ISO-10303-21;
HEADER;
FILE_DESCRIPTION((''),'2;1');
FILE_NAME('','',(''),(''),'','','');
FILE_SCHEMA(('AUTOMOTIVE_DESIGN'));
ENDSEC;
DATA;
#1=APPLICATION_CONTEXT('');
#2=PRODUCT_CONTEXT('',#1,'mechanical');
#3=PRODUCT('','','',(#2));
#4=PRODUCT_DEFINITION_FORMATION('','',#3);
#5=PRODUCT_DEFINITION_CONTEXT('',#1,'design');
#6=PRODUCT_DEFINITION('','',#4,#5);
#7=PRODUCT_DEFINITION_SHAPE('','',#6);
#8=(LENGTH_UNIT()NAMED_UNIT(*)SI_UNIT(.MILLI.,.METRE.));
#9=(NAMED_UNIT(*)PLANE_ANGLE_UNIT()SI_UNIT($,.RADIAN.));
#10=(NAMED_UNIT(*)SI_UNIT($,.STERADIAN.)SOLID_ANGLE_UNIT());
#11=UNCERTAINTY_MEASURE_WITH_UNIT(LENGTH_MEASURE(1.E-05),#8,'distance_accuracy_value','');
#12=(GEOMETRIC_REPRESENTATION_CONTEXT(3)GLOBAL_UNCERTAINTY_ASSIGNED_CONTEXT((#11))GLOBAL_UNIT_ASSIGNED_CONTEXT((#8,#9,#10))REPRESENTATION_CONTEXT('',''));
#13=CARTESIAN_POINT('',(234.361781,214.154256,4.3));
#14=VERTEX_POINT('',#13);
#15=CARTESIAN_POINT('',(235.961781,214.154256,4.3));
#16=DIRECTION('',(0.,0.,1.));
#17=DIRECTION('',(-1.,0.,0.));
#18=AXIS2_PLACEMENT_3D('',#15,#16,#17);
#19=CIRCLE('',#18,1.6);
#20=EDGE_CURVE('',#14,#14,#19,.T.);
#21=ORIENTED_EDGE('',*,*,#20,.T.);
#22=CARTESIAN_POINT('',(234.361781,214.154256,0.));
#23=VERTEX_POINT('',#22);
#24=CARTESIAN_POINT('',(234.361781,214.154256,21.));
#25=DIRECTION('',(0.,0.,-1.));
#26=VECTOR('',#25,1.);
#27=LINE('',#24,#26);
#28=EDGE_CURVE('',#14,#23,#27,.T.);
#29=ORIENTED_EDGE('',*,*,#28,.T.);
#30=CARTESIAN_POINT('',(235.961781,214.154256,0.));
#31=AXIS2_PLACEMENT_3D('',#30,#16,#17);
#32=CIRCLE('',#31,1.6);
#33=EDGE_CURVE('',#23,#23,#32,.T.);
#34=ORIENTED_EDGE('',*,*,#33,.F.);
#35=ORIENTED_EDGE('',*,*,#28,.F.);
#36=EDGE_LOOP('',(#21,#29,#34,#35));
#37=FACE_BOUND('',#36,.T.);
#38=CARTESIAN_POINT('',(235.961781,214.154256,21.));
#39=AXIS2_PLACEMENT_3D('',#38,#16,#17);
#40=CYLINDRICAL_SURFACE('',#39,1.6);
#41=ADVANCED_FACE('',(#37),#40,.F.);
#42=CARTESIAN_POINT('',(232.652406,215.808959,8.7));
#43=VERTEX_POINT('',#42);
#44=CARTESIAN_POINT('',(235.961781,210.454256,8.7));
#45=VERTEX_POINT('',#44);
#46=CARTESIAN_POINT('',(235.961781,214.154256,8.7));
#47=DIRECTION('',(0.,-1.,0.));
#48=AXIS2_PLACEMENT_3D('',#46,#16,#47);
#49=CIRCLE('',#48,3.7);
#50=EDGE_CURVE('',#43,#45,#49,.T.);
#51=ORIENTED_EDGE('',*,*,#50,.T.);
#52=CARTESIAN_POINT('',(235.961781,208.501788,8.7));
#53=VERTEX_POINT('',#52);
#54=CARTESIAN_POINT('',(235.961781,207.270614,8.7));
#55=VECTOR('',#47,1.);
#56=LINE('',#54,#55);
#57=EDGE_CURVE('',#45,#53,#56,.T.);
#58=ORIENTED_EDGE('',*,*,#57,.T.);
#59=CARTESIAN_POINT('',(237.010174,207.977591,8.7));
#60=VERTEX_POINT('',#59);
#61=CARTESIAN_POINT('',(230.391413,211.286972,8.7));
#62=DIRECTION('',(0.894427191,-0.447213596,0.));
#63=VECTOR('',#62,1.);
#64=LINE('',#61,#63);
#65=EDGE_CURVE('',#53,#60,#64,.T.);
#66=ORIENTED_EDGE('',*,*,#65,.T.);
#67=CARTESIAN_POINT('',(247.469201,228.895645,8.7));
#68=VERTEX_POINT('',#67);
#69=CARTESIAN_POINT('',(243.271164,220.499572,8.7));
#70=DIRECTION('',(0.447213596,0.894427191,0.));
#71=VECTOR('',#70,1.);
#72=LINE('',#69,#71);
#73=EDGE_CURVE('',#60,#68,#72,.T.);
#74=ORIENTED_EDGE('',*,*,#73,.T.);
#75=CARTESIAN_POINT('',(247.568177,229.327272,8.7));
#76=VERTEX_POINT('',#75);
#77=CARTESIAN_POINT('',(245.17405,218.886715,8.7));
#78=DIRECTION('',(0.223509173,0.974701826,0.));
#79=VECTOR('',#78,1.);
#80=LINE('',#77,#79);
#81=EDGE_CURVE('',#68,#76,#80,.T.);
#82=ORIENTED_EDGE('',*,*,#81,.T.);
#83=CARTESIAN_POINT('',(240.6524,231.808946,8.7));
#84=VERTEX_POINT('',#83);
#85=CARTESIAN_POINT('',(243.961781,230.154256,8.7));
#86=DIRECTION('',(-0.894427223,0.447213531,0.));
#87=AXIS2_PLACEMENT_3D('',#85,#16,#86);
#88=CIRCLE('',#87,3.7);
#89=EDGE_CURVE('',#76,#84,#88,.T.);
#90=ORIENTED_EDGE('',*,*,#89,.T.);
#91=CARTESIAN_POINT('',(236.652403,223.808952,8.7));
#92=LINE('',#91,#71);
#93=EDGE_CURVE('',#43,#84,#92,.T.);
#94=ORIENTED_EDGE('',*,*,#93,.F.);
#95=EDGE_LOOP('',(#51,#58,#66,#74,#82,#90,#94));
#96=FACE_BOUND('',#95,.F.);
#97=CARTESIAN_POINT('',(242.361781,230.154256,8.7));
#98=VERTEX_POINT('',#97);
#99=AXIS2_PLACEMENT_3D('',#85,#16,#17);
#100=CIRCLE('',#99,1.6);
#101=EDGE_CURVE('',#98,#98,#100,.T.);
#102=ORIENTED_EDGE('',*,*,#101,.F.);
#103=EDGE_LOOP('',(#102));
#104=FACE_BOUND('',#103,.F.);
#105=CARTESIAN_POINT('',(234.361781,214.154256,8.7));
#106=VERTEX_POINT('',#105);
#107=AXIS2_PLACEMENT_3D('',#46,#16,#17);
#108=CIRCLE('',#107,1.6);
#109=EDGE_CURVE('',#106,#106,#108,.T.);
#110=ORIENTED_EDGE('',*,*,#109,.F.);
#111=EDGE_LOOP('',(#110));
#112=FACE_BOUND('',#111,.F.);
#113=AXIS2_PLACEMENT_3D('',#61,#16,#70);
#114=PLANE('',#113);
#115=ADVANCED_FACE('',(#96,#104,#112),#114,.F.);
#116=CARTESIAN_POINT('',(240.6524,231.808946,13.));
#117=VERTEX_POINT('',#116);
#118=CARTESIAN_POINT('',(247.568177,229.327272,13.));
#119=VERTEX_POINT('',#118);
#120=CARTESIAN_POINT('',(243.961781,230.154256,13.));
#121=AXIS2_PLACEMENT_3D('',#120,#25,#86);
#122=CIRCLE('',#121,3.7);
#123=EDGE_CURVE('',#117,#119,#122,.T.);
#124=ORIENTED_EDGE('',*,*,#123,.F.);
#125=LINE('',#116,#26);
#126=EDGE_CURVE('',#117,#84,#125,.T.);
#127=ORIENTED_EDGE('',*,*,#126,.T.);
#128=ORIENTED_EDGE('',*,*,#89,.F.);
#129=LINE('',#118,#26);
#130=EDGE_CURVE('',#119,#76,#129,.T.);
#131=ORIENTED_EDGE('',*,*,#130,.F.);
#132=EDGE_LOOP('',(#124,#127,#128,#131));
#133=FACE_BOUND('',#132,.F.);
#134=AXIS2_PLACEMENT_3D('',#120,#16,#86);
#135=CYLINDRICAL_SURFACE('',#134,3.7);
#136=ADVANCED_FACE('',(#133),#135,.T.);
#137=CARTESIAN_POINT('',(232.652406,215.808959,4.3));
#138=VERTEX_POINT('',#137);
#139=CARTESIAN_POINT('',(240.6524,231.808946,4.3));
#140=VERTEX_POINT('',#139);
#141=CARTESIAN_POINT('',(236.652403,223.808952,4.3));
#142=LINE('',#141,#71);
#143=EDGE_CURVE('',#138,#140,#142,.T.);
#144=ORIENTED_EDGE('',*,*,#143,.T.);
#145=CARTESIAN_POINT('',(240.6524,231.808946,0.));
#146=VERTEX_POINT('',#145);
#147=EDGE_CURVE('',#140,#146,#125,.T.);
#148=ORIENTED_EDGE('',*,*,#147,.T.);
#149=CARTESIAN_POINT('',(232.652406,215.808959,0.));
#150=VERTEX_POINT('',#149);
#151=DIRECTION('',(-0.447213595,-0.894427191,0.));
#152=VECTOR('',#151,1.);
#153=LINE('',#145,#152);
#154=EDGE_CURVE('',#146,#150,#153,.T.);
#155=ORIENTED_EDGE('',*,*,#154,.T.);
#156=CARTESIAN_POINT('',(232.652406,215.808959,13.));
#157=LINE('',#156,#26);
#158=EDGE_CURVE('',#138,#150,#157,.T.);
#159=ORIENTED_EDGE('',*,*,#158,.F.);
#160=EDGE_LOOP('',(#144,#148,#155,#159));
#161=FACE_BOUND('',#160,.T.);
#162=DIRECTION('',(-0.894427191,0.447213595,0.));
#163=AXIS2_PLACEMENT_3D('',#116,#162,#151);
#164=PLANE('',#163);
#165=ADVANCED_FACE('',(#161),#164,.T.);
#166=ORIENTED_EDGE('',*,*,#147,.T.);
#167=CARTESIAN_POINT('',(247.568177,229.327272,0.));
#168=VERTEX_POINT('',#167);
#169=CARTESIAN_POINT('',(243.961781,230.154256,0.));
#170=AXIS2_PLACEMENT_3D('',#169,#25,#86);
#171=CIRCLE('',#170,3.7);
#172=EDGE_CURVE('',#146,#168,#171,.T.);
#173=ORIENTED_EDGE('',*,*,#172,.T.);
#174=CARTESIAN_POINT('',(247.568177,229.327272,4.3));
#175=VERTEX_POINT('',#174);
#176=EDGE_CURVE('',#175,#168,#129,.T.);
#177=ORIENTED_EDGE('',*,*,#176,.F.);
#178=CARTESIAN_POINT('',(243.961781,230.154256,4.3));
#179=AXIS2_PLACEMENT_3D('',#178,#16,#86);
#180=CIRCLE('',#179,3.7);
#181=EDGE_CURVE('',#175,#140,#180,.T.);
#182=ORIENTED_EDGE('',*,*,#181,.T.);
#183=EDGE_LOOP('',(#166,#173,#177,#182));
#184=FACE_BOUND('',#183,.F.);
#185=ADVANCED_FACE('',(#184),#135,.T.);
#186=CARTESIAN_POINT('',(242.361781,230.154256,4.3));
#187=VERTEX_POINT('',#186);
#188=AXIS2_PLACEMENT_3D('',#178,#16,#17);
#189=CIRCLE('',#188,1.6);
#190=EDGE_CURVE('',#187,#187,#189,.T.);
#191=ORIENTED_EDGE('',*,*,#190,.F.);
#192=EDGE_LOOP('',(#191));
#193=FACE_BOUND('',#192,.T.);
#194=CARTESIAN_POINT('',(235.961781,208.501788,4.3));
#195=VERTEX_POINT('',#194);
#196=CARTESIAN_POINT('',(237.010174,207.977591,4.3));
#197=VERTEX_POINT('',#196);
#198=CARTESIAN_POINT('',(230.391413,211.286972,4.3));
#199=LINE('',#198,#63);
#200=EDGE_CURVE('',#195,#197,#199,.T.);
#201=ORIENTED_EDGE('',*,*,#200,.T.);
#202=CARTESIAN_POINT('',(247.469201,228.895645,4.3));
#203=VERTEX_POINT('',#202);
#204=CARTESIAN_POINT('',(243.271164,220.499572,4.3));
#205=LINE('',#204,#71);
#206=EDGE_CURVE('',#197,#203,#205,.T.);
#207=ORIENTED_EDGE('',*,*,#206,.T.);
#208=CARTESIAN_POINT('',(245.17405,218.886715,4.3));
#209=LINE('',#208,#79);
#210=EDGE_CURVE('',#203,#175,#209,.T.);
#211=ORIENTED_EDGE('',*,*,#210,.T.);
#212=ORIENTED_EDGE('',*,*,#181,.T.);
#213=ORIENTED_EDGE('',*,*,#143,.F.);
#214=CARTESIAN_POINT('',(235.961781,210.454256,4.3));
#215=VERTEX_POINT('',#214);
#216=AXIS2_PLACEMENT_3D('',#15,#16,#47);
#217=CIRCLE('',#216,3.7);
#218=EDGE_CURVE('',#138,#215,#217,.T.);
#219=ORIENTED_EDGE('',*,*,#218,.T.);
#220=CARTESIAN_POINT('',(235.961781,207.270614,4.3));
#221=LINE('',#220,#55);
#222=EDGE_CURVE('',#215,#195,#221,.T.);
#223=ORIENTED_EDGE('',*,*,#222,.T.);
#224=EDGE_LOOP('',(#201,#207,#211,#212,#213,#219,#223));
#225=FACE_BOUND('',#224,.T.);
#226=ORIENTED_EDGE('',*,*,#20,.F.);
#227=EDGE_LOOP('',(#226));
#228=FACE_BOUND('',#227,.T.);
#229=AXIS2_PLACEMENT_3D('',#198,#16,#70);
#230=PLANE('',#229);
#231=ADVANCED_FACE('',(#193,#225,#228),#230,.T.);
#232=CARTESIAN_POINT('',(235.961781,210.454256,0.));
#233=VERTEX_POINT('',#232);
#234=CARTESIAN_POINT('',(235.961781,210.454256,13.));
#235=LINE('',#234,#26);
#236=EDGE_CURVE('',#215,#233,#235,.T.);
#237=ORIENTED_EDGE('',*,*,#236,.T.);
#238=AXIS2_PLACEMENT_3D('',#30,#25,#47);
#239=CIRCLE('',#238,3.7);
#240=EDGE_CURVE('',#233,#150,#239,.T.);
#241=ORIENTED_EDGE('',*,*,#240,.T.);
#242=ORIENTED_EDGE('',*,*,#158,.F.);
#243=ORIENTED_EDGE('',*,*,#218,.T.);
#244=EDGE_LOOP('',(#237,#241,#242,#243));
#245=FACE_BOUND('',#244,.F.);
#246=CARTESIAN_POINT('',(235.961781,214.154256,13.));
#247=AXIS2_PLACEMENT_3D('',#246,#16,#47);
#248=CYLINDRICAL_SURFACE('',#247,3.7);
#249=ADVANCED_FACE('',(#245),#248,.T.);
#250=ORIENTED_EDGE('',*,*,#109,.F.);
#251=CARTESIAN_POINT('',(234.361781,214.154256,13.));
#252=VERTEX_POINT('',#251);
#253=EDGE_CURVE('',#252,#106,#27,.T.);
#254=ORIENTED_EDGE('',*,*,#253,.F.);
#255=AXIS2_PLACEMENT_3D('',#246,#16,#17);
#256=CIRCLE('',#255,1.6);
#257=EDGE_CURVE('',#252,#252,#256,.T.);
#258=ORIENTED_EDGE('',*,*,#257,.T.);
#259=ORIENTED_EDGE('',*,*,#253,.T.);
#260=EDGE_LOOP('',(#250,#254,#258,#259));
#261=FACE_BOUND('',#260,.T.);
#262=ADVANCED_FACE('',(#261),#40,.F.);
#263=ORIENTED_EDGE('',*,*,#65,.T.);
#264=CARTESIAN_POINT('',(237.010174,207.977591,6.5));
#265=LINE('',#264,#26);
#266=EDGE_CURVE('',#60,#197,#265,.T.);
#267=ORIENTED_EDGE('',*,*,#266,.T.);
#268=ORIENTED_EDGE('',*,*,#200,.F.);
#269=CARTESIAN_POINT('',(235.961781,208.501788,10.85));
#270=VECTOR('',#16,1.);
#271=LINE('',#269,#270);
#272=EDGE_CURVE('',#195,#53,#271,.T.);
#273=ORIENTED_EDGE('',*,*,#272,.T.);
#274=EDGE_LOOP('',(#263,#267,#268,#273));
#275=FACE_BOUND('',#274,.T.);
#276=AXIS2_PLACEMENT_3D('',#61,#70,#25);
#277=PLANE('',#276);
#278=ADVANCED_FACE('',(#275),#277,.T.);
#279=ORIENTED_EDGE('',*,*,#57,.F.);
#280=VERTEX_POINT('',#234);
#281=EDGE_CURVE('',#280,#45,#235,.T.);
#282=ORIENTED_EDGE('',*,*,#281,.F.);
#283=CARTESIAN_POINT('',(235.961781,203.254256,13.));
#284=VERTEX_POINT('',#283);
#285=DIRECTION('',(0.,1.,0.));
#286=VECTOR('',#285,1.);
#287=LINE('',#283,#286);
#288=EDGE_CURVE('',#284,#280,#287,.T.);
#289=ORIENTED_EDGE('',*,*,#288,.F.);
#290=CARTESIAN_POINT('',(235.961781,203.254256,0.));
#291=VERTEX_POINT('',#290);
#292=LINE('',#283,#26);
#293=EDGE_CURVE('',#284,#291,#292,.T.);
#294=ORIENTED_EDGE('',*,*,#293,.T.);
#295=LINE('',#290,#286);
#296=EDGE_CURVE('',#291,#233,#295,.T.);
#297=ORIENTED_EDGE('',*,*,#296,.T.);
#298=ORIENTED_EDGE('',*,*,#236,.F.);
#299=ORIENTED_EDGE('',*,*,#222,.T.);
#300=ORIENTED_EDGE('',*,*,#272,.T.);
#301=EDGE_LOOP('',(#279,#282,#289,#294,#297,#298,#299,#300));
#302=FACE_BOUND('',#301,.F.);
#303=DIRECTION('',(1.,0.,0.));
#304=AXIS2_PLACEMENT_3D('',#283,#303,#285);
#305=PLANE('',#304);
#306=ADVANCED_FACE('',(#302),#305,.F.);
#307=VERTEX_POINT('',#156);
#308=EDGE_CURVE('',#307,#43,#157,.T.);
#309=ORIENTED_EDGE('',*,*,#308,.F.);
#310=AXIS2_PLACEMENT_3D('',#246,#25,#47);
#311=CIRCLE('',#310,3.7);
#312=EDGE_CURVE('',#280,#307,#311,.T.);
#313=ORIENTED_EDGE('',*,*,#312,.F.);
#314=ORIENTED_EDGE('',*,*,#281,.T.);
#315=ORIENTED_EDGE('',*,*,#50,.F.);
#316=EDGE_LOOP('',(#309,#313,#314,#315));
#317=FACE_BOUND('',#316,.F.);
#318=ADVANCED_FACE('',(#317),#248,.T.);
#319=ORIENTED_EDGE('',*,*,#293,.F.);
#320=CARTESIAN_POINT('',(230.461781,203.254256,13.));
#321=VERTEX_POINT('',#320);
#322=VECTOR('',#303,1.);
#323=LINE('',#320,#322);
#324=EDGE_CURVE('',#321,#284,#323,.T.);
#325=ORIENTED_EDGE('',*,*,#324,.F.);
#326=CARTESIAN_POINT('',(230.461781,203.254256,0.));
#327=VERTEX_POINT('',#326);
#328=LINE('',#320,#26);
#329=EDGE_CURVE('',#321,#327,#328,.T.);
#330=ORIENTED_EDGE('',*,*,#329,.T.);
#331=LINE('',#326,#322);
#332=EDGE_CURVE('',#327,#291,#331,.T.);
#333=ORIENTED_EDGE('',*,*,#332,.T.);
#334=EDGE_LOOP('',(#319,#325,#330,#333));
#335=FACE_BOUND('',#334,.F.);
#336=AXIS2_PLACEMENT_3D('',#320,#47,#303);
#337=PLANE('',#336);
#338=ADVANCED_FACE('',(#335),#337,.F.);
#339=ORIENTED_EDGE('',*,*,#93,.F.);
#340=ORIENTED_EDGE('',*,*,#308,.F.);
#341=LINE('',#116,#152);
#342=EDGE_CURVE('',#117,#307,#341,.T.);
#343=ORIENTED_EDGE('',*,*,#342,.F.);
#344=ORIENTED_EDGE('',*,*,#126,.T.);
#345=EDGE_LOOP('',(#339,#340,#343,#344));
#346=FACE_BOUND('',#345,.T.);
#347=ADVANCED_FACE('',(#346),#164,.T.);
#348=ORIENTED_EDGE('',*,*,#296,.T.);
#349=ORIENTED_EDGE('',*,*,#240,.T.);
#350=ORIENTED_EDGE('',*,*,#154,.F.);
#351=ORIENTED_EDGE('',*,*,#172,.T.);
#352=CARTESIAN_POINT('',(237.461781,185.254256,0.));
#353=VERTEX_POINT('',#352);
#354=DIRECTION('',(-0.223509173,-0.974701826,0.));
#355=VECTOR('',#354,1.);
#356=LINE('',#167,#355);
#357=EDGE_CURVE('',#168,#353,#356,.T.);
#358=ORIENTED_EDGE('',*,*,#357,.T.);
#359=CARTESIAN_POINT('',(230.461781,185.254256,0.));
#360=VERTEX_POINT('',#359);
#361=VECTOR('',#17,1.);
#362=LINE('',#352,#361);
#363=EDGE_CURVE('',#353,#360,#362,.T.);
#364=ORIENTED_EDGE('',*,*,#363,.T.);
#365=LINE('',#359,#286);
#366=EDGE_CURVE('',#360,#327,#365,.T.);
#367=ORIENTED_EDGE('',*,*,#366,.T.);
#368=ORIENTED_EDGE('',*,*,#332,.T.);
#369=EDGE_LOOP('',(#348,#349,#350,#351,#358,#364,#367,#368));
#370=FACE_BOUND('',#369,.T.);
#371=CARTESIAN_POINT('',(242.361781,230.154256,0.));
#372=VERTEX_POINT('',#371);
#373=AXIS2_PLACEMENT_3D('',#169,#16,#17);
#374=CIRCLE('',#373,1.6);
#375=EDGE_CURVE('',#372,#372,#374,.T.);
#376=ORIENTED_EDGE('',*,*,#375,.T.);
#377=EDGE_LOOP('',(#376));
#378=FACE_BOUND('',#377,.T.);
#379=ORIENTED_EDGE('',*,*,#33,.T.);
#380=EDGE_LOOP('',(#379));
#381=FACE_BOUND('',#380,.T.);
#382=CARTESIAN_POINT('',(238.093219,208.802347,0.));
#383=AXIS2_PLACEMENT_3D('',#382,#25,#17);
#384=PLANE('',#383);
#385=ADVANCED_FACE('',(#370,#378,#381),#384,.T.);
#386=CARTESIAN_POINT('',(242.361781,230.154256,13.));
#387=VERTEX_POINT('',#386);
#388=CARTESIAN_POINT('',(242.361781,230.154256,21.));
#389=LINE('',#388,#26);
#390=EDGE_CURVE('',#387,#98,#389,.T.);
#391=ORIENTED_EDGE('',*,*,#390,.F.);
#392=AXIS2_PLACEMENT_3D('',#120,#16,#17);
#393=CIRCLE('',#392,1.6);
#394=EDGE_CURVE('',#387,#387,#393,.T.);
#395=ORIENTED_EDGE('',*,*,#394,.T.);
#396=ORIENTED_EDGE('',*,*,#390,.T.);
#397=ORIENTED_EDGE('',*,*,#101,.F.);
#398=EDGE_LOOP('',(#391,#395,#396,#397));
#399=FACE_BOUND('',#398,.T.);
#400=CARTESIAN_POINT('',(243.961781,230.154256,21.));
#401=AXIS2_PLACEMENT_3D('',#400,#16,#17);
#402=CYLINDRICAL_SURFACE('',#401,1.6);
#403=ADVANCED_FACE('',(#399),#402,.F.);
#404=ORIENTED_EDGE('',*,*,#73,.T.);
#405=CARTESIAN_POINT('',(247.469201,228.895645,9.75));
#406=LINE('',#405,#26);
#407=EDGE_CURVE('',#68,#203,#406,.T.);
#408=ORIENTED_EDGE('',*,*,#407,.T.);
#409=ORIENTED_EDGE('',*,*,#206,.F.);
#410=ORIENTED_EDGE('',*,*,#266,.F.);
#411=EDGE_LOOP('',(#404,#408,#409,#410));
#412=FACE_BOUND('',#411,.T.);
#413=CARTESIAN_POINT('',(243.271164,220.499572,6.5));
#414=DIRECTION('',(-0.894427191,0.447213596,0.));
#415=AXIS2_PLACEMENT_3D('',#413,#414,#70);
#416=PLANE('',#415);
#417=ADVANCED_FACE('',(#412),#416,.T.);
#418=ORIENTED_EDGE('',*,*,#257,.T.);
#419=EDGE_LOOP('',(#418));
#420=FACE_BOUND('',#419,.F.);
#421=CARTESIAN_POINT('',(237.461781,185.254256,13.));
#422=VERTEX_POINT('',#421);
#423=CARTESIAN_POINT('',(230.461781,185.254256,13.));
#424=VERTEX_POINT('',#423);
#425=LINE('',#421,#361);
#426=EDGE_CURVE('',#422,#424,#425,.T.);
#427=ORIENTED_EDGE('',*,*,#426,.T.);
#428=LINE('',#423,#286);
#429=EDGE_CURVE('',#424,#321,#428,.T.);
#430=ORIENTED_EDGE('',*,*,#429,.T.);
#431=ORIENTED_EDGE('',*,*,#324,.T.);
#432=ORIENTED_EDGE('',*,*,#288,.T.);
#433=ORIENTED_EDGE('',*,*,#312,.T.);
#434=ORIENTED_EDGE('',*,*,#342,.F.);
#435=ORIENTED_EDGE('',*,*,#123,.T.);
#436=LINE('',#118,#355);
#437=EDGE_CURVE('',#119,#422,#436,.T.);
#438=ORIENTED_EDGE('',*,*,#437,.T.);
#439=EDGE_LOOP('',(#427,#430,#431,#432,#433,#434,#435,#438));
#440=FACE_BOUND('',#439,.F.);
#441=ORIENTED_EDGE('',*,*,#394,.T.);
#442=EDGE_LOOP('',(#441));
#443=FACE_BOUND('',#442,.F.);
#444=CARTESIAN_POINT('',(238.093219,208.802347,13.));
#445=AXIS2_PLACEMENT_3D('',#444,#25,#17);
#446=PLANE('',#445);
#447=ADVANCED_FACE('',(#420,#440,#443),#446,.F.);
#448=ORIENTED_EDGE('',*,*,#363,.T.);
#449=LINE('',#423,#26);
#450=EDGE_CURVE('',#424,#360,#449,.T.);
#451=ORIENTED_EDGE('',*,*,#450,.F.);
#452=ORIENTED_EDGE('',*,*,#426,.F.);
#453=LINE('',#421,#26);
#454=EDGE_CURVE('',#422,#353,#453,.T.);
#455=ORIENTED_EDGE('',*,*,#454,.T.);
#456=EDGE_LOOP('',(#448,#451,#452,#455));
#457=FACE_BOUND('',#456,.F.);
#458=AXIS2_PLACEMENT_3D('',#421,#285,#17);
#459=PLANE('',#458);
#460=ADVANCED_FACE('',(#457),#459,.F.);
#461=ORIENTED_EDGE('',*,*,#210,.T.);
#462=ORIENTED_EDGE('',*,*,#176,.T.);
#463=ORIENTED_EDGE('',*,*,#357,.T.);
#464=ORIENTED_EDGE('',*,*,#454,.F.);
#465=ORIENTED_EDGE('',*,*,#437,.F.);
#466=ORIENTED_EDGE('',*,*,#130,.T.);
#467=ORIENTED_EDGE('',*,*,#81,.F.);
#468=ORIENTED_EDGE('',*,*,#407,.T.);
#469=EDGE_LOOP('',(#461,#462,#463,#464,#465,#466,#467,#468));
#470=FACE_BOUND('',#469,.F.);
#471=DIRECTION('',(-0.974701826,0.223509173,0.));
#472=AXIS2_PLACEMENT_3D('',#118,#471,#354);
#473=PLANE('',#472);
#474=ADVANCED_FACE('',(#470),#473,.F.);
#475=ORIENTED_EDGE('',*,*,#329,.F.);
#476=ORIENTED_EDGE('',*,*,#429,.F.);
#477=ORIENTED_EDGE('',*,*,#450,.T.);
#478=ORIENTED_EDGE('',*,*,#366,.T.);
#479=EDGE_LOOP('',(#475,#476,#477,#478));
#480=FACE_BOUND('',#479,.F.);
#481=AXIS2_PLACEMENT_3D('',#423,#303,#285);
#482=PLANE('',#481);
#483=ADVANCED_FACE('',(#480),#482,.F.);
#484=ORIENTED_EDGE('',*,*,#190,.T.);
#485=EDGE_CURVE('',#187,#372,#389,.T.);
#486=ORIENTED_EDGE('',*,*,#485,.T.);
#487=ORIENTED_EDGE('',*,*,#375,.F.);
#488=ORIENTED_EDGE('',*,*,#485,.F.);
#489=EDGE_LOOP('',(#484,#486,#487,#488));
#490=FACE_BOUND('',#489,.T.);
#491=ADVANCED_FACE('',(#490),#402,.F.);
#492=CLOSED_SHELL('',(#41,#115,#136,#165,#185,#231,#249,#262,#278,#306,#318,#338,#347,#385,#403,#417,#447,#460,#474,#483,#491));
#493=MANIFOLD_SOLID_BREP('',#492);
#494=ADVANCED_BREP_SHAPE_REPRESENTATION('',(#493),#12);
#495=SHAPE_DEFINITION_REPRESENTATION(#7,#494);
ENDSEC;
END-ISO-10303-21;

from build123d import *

# Parameters (mm, degrees)
CYLINDER005_R            = 1.6
CYLINDER005_DEPTH        = 30
PAD001_DEPTH             = 13
SKETCH001_W              = 28
SKETCH001_H              = 4.4
POCKET002_DEPTH          = 7.4
CLONE016_PLACEMENT_ANGLE = 180


with BuildPart() as finger_drill_master:
    # Cylinder005 → Cylinder005 (new body)
    with BuildSketch(Plane.XY.offset(-8)):
        Circle(CYLINDER005_R)
    extrude(amount=CYLINDER005_DEPTH)


with BuildPart() as clone001:
    # Clone001 base: copy of finger-drill-master
    add(finger_drill_master.part)


with BuildPart() as clone001_1:
    # Clone001 placement: moved
    add(clone001.part.moved(Location((-5.5, 28.9, 0))))


with BuildPart() as finger_drills:
    # Clone002 base: copy of finger-drill-master
    add(finger_drill_master.part)


with BuildPart() as finger_drills_1:
    # Clone002 placement: moved
    add(finger_drills.part.moved(Location((-13.5, 44.9, 0))))

    # Fusion011: union Clone001
    add(clone001_1.part)


with BuildPart() as right_finger:
    # Sketch007 → Pad001 (new body)
    with BuildSketch(Plane.XY):
        with BuildLine():
            Line((0, 0), (0, 18))
            Line((0, 18), (-5.5, 18))
            Line((-5.5, 18), (-5.5, 25.2))
            ThreePointArc((-5.5, 25.2), (-2.3525883805, 26.9548007564), (-2.1906255667, 30.55470265))
            Line((-10.1906192745, 46.5546900658), (-2.1906255667, 30.55470265))
            ThreePointArc((-10.1906192745, 46.5546900658), (-14.7496924515, 48.3825664066), (-17.1063967324, 44.0730159565))
            Line((-17.1063967324, 44.0730159565), (-7, 0))
            Line((-7, 0), (0, 0))
        make_face()
    extrude(amount=PAD001_DEPTH)

    # Sketch001 → Pocket002 (cut)
    with BuildSketch(Plane(origin=(10.4693806066, 5.2346903033, 0), x_dir=(-0.4472135955, 0.894427191, 0), z_dir=(0.894427191, 0.4472135955, 0))):
        with Locations((37.2528992744, 6.5)):
            Rectangle(SKETCH001_W, SKETCH001_H)
    extrude(amount=-POCKET002_DEPTH, mode=Mode.SUBTRACT)

    # Cut012: cut finger-drills
    add(finger_drills_1.part, mode=Mode.SUBTRACT)


with BuildPart() as right_finger_1:
    # Cut012 placement: moved
    add(right_finger.part.moved(Location((0, -57, 0))))


with BuildPart() as right_finger_2:
    # Clone016 placement: moved
    add(right_finger_1.part.moved(Location((230.4617805391, 242.2542559908, 13))).rotate(Axis((230.4617805391, 242.2542559908, 13), (0, 1, 0)), CLONE016_PLACEMENT_ANGLE))


solid = right_finger_2.part
